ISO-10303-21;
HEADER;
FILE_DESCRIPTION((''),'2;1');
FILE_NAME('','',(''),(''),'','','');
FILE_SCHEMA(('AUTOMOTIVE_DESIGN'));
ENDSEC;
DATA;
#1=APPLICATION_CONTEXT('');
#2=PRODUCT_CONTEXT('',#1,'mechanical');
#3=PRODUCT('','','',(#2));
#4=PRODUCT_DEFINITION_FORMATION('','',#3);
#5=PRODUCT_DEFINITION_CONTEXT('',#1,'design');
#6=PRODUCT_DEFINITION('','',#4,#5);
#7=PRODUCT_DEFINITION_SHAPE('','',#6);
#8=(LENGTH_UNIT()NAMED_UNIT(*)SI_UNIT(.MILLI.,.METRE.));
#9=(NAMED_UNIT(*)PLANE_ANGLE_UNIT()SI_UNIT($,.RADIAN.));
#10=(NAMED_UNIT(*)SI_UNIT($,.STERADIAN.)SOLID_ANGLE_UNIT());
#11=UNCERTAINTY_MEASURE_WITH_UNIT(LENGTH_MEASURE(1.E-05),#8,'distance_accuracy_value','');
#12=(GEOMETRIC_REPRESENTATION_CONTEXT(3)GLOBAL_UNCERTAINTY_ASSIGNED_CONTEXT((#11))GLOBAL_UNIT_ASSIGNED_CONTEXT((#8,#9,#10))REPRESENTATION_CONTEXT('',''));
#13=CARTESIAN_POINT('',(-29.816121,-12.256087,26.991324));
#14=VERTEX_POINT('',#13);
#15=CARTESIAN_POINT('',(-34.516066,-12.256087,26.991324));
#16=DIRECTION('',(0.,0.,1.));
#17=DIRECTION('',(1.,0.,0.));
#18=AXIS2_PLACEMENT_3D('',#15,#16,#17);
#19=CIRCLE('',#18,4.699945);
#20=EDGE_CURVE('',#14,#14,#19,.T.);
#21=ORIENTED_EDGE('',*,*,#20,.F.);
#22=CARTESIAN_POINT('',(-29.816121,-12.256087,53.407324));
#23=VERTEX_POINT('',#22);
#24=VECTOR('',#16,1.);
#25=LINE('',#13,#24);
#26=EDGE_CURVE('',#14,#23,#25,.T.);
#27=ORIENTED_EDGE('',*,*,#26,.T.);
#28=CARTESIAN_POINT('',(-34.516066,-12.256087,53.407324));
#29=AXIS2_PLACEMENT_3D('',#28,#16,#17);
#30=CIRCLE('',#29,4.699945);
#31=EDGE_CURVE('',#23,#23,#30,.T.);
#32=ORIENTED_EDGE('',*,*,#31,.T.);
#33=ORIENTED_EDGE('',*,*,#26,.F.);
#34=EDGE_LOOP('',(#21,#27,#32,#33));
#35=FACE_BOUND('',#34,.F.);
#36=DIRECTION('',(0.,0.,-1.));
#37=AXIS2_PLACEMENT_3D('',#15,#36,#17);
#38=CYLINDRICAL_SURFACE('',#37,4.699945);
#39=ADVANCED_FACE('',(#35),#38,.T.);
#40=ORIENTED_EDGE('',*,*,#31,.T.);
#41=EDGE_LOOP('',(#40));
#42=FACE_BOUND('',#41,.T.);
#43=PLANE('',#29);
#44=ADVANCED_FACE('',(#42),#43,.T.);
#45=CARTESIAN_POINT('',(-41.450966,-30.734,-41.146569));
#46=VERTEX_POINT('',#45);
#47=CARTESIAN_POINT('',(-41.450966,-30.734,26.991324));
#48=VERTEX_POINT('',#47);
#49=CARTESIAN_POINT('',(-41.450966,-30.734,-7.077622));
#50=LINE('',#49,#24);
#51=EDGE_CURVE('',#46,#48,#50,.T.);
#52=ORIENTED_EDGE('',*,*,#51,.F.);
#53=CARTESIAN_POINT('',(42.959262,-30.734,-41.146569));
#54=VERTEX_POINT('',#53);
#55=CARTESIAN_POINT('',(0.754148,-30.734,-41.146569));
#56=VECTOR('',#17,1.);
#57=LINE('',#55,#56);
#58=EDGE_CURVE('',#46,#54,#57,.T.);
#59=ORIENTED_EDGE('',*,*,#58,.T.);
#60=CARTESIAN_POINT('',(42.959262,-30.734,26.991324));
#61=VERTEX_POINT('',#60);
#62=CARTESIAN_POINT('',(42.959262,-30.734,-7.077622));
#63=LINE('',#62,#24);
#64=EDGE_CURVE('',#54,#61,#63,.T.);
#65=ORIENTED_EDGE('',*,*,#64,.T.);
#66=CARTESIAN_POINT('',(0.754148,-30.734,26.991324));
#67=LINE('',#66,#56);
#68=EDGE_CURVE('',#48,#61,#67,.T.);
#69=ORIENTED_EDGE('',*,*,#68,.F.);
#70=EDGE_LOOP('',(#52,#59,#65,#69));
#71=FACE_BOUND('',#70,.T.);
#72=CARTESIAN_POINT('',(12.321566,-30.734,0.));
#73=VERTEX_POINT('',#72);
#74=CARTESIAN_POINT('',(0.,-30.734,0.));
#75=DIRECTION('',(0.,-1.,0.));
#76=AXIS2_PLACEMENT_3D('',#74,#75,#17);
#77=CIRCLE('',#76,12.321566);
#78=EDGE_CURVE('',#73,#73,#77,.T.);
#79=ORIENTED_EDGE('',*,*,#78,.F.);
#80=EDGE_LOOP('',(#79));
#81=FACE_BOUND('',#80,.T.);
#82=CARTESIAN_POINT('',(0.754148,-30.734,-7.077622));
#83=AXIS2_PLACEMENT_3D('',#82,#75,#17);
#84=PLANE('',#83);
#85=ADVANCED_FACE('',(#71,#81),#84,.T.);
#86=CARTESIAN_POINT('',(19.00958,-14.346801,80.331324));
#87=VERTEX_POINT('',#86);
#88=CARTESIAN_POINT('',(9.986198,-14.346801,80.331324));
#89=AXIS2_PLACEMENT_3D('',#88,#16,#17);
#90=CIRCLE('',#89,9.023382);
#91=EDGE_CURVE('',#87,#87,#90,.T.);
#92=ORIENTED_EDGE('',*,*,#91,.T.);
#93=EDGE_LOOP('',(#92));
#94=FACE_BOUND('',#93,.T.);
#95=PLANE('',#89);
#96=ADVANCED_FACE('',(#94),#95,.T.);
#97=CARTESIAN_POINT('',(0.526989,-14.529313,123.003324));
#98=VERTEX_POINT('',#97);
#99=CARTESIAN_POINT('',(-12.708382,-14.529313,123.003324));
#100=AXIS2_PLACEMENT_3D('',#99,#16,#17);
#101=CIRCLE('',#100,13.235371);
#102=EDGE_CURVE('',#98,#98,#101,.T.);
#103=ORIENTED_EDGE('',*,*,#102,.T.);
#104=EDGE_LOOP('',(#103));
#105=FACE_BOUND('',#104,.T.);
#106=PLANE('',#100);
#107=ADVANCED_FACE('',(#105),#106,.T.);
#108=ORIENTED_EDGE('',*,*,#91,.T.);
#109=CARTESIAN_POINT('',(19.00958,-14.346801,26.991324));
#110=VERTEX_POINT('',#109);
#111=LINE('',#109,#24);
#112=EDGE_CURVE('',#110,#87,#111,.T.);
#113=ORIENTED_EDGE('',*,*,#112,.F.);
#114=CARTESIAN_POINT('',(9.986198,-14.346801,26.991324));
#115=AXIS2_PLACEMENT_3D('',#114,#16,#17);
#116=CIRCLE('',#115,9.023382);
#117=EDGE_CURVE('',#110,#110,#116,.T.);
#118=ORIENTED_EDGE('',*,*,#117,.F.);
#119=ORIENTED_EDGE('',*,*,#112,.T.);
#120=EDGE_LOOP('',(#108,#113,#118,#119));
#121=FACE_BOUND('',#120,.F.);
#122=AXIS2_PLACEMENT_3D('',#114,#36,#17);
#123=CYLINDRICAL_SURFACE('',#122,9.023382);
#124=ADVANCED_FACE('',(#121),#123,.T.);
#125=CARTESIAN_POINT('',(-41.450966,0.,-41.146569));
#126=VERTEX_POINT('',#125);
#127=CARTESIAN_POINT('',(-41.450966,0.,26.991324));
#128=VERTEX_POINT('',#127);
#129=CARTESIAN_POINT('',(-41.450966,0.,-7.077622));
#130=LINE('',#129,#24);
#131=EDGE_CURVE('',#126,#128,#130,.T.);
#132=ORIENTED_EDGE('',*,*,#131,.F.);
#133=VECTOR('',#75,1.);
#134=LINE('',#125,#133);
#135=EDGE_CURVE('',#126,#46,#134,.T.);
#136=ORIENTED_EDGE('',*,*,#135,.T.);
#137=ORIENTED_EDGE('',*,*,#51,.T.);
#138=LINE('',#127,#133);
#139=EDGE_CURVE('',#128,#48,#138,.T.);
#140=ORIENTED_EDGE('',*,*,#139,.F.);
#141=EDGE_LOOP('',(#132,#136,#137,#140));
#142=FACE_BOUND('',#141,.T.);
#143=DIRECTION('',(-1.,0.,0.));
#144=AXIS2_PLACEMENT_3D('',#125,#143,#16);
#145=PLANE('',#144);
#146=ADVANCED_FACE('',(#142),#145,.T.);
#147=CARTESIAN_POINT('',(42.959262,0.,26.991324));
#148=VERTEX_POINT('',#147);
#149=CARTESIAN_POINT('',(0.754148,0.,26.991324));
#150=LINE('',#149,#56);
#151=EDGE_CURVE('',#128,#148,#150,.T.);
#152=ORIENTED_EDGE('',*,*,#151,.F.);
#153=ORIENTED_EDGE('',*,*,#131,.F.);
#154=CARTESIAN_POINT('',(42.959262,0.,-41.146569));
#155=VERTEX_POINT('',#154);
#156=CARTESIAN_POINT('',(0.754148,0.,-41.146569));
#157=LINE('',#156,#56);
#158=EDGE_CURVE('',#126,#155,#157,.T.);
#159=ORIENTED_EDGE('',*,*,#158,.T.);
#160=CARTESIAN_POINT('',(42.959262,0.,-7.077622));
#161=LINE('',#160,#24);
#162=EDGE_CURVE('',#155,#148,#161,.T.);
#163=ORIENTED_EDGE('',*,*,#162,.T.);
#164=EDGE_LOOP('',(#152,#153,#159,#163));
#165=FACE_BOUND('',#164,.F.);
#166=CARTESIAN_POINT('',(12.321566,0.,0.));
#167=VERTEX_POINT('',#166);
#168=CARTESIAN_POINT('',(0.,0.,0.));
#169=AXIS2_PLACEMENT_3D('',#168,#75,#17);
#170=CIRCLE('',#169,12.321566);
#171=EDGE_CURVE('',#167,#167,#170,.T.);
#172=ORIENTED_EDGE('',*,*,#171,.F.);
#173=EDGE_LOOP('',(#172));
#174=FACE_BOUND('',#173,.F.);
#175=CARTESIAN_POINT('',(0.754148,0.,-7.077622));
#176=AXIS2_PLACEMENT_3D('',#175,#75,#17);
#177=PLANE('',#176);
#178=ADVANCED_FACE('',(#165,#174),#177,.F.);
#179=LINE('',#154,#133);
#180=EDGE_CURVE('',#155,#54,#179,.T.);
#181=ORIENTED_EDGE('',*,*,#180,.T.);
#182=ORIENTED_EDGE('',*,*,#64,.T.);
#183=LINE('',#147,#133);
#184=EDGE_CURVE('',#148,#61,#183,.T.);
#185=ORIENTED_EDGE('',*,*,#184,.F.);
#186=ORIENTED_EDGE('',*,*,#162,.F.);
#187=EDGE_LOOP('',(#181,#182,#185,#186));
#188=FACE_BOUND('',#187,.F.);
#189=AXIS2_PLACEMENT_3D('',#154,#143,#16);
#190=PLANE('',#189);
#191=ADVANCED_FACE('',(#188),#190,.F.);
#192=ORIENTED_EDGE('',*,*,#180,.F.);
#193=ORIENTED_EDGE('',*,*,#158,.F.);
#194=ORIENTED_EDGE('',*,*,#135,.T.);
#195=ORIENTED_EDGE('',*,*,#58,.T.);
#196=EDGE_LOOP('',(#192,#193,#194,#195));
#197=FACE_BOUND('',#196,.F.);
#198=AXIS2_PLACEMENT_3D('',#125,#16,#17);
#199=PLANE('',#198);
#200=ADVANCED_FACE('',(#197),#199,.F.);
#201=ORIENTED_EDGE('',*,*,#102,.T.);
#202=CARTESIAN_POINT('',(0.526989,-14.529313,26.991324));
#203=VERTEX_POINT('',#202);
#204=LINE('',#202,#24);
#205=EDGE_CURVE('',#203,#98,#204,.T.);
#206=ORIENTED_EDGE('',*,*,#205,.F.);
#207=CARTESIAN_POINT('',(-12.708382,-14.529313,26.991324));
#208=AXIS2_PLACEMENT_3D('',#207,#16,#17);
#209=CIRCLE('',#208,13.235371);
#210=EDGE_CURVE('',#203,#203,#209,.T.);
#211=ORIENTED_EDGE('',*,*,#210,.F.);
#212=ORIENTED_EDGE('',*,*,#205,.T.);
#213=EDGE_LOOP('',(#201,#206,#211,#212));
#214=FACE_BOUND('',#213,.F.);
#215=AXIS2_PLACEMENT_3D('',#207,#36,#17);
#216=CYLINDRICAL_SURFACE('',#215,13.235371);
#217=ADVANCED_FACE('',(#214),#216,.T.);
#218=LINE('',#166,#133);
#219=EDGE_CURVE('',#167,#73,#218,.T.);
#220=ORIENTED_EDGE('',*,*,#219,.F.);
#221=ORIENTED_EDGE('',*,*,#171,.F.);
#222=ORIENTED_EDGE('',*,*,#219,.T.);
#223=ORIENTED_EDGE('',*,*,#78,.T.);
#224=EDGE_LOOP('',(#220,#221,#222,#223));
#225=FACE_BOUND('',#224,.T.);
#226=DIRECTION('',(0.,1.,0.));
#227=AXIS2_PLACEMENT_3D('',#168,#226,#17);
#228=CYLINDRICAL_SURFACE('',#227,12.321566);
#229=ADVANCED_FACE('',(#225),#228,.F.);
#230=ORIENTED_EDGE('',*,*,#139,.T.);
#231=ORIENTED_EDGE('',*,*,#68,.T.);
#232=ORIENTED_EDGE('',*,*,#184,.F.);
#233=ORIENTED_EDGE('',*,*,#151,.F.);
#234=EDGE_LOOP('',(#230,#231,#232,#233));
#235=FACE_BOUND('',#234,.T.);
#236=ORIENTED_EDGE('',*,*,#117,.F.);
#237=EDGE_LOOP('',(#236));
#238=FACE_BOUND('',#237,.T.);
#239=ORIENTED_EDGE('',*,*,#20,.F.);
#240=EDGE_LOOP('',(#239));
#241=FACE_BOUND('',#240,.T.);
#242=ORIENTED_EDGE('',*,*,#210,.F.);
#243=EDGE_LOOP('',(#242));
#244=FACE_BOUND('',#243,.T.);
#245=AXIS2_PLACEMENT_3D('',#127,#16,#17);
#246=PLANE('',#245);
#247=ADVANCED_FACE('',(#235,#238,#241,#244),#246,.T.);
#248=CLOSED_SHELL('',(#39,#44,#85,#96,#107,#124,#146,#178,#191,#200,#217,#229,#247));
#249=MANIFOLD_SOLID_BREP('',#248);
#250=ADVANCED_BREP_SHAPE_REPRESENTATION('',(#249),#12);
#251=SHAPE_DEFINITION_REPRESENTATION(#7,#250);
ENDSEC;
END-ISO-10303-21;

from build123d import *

# Parameters (mm, degrees)
F0_W     = 84.4102278352
F0_H     = 68.1378934532
F0_R     = 12.3215660832
F1_DEPTH = 30.734
F2_R     = 13.2353706436
F3_DEPTH = 96.012
F2_R_2   = 9.0233824653
F4_DEPTH = 53.34
F2_R_3   = 4.6999449214
F5_DEPTH = 26.416


with BuildPart() as f1:
    # F0 (on Front) → F1 (new body)
    with BuildSketch(Plane.XZ):
        with Locations((0.754147768, -7.0776222274)):
            Rectangle(F0_W, F0_H)
        Circle(F0_R, mode=Mode.SUBTRACT)
    extrude(amount=F1_DEPTH)

    # F2 (on face) → F3 (join)
    with BuildSketch(Plane.XY.offset(26.9913244992)):
        with Locations((-12.7083817497, -14.5293129608)):
            Circle(F2_R)
    extrude(amount=F3_DEPTH)

    # F2 (on face) → F4 (join)
    with BuildSketch(Plane.XY.offset(26.9913244992)):
        with Locations((9.9861975759, -14.3468007445)):
            Circle(F2_R_2)
    extrude(amount=F4_DEPTH)

    # F2 (on face) → F5 (join)
    with BuildSketch(Plane.XY.offset(26.9913244992)):
        with Locations((-34.5160663128, -12.256086804)):
            Circle(F2_R_3)
    extrude(amount=F5_DEPTH)


solid = f1.part
